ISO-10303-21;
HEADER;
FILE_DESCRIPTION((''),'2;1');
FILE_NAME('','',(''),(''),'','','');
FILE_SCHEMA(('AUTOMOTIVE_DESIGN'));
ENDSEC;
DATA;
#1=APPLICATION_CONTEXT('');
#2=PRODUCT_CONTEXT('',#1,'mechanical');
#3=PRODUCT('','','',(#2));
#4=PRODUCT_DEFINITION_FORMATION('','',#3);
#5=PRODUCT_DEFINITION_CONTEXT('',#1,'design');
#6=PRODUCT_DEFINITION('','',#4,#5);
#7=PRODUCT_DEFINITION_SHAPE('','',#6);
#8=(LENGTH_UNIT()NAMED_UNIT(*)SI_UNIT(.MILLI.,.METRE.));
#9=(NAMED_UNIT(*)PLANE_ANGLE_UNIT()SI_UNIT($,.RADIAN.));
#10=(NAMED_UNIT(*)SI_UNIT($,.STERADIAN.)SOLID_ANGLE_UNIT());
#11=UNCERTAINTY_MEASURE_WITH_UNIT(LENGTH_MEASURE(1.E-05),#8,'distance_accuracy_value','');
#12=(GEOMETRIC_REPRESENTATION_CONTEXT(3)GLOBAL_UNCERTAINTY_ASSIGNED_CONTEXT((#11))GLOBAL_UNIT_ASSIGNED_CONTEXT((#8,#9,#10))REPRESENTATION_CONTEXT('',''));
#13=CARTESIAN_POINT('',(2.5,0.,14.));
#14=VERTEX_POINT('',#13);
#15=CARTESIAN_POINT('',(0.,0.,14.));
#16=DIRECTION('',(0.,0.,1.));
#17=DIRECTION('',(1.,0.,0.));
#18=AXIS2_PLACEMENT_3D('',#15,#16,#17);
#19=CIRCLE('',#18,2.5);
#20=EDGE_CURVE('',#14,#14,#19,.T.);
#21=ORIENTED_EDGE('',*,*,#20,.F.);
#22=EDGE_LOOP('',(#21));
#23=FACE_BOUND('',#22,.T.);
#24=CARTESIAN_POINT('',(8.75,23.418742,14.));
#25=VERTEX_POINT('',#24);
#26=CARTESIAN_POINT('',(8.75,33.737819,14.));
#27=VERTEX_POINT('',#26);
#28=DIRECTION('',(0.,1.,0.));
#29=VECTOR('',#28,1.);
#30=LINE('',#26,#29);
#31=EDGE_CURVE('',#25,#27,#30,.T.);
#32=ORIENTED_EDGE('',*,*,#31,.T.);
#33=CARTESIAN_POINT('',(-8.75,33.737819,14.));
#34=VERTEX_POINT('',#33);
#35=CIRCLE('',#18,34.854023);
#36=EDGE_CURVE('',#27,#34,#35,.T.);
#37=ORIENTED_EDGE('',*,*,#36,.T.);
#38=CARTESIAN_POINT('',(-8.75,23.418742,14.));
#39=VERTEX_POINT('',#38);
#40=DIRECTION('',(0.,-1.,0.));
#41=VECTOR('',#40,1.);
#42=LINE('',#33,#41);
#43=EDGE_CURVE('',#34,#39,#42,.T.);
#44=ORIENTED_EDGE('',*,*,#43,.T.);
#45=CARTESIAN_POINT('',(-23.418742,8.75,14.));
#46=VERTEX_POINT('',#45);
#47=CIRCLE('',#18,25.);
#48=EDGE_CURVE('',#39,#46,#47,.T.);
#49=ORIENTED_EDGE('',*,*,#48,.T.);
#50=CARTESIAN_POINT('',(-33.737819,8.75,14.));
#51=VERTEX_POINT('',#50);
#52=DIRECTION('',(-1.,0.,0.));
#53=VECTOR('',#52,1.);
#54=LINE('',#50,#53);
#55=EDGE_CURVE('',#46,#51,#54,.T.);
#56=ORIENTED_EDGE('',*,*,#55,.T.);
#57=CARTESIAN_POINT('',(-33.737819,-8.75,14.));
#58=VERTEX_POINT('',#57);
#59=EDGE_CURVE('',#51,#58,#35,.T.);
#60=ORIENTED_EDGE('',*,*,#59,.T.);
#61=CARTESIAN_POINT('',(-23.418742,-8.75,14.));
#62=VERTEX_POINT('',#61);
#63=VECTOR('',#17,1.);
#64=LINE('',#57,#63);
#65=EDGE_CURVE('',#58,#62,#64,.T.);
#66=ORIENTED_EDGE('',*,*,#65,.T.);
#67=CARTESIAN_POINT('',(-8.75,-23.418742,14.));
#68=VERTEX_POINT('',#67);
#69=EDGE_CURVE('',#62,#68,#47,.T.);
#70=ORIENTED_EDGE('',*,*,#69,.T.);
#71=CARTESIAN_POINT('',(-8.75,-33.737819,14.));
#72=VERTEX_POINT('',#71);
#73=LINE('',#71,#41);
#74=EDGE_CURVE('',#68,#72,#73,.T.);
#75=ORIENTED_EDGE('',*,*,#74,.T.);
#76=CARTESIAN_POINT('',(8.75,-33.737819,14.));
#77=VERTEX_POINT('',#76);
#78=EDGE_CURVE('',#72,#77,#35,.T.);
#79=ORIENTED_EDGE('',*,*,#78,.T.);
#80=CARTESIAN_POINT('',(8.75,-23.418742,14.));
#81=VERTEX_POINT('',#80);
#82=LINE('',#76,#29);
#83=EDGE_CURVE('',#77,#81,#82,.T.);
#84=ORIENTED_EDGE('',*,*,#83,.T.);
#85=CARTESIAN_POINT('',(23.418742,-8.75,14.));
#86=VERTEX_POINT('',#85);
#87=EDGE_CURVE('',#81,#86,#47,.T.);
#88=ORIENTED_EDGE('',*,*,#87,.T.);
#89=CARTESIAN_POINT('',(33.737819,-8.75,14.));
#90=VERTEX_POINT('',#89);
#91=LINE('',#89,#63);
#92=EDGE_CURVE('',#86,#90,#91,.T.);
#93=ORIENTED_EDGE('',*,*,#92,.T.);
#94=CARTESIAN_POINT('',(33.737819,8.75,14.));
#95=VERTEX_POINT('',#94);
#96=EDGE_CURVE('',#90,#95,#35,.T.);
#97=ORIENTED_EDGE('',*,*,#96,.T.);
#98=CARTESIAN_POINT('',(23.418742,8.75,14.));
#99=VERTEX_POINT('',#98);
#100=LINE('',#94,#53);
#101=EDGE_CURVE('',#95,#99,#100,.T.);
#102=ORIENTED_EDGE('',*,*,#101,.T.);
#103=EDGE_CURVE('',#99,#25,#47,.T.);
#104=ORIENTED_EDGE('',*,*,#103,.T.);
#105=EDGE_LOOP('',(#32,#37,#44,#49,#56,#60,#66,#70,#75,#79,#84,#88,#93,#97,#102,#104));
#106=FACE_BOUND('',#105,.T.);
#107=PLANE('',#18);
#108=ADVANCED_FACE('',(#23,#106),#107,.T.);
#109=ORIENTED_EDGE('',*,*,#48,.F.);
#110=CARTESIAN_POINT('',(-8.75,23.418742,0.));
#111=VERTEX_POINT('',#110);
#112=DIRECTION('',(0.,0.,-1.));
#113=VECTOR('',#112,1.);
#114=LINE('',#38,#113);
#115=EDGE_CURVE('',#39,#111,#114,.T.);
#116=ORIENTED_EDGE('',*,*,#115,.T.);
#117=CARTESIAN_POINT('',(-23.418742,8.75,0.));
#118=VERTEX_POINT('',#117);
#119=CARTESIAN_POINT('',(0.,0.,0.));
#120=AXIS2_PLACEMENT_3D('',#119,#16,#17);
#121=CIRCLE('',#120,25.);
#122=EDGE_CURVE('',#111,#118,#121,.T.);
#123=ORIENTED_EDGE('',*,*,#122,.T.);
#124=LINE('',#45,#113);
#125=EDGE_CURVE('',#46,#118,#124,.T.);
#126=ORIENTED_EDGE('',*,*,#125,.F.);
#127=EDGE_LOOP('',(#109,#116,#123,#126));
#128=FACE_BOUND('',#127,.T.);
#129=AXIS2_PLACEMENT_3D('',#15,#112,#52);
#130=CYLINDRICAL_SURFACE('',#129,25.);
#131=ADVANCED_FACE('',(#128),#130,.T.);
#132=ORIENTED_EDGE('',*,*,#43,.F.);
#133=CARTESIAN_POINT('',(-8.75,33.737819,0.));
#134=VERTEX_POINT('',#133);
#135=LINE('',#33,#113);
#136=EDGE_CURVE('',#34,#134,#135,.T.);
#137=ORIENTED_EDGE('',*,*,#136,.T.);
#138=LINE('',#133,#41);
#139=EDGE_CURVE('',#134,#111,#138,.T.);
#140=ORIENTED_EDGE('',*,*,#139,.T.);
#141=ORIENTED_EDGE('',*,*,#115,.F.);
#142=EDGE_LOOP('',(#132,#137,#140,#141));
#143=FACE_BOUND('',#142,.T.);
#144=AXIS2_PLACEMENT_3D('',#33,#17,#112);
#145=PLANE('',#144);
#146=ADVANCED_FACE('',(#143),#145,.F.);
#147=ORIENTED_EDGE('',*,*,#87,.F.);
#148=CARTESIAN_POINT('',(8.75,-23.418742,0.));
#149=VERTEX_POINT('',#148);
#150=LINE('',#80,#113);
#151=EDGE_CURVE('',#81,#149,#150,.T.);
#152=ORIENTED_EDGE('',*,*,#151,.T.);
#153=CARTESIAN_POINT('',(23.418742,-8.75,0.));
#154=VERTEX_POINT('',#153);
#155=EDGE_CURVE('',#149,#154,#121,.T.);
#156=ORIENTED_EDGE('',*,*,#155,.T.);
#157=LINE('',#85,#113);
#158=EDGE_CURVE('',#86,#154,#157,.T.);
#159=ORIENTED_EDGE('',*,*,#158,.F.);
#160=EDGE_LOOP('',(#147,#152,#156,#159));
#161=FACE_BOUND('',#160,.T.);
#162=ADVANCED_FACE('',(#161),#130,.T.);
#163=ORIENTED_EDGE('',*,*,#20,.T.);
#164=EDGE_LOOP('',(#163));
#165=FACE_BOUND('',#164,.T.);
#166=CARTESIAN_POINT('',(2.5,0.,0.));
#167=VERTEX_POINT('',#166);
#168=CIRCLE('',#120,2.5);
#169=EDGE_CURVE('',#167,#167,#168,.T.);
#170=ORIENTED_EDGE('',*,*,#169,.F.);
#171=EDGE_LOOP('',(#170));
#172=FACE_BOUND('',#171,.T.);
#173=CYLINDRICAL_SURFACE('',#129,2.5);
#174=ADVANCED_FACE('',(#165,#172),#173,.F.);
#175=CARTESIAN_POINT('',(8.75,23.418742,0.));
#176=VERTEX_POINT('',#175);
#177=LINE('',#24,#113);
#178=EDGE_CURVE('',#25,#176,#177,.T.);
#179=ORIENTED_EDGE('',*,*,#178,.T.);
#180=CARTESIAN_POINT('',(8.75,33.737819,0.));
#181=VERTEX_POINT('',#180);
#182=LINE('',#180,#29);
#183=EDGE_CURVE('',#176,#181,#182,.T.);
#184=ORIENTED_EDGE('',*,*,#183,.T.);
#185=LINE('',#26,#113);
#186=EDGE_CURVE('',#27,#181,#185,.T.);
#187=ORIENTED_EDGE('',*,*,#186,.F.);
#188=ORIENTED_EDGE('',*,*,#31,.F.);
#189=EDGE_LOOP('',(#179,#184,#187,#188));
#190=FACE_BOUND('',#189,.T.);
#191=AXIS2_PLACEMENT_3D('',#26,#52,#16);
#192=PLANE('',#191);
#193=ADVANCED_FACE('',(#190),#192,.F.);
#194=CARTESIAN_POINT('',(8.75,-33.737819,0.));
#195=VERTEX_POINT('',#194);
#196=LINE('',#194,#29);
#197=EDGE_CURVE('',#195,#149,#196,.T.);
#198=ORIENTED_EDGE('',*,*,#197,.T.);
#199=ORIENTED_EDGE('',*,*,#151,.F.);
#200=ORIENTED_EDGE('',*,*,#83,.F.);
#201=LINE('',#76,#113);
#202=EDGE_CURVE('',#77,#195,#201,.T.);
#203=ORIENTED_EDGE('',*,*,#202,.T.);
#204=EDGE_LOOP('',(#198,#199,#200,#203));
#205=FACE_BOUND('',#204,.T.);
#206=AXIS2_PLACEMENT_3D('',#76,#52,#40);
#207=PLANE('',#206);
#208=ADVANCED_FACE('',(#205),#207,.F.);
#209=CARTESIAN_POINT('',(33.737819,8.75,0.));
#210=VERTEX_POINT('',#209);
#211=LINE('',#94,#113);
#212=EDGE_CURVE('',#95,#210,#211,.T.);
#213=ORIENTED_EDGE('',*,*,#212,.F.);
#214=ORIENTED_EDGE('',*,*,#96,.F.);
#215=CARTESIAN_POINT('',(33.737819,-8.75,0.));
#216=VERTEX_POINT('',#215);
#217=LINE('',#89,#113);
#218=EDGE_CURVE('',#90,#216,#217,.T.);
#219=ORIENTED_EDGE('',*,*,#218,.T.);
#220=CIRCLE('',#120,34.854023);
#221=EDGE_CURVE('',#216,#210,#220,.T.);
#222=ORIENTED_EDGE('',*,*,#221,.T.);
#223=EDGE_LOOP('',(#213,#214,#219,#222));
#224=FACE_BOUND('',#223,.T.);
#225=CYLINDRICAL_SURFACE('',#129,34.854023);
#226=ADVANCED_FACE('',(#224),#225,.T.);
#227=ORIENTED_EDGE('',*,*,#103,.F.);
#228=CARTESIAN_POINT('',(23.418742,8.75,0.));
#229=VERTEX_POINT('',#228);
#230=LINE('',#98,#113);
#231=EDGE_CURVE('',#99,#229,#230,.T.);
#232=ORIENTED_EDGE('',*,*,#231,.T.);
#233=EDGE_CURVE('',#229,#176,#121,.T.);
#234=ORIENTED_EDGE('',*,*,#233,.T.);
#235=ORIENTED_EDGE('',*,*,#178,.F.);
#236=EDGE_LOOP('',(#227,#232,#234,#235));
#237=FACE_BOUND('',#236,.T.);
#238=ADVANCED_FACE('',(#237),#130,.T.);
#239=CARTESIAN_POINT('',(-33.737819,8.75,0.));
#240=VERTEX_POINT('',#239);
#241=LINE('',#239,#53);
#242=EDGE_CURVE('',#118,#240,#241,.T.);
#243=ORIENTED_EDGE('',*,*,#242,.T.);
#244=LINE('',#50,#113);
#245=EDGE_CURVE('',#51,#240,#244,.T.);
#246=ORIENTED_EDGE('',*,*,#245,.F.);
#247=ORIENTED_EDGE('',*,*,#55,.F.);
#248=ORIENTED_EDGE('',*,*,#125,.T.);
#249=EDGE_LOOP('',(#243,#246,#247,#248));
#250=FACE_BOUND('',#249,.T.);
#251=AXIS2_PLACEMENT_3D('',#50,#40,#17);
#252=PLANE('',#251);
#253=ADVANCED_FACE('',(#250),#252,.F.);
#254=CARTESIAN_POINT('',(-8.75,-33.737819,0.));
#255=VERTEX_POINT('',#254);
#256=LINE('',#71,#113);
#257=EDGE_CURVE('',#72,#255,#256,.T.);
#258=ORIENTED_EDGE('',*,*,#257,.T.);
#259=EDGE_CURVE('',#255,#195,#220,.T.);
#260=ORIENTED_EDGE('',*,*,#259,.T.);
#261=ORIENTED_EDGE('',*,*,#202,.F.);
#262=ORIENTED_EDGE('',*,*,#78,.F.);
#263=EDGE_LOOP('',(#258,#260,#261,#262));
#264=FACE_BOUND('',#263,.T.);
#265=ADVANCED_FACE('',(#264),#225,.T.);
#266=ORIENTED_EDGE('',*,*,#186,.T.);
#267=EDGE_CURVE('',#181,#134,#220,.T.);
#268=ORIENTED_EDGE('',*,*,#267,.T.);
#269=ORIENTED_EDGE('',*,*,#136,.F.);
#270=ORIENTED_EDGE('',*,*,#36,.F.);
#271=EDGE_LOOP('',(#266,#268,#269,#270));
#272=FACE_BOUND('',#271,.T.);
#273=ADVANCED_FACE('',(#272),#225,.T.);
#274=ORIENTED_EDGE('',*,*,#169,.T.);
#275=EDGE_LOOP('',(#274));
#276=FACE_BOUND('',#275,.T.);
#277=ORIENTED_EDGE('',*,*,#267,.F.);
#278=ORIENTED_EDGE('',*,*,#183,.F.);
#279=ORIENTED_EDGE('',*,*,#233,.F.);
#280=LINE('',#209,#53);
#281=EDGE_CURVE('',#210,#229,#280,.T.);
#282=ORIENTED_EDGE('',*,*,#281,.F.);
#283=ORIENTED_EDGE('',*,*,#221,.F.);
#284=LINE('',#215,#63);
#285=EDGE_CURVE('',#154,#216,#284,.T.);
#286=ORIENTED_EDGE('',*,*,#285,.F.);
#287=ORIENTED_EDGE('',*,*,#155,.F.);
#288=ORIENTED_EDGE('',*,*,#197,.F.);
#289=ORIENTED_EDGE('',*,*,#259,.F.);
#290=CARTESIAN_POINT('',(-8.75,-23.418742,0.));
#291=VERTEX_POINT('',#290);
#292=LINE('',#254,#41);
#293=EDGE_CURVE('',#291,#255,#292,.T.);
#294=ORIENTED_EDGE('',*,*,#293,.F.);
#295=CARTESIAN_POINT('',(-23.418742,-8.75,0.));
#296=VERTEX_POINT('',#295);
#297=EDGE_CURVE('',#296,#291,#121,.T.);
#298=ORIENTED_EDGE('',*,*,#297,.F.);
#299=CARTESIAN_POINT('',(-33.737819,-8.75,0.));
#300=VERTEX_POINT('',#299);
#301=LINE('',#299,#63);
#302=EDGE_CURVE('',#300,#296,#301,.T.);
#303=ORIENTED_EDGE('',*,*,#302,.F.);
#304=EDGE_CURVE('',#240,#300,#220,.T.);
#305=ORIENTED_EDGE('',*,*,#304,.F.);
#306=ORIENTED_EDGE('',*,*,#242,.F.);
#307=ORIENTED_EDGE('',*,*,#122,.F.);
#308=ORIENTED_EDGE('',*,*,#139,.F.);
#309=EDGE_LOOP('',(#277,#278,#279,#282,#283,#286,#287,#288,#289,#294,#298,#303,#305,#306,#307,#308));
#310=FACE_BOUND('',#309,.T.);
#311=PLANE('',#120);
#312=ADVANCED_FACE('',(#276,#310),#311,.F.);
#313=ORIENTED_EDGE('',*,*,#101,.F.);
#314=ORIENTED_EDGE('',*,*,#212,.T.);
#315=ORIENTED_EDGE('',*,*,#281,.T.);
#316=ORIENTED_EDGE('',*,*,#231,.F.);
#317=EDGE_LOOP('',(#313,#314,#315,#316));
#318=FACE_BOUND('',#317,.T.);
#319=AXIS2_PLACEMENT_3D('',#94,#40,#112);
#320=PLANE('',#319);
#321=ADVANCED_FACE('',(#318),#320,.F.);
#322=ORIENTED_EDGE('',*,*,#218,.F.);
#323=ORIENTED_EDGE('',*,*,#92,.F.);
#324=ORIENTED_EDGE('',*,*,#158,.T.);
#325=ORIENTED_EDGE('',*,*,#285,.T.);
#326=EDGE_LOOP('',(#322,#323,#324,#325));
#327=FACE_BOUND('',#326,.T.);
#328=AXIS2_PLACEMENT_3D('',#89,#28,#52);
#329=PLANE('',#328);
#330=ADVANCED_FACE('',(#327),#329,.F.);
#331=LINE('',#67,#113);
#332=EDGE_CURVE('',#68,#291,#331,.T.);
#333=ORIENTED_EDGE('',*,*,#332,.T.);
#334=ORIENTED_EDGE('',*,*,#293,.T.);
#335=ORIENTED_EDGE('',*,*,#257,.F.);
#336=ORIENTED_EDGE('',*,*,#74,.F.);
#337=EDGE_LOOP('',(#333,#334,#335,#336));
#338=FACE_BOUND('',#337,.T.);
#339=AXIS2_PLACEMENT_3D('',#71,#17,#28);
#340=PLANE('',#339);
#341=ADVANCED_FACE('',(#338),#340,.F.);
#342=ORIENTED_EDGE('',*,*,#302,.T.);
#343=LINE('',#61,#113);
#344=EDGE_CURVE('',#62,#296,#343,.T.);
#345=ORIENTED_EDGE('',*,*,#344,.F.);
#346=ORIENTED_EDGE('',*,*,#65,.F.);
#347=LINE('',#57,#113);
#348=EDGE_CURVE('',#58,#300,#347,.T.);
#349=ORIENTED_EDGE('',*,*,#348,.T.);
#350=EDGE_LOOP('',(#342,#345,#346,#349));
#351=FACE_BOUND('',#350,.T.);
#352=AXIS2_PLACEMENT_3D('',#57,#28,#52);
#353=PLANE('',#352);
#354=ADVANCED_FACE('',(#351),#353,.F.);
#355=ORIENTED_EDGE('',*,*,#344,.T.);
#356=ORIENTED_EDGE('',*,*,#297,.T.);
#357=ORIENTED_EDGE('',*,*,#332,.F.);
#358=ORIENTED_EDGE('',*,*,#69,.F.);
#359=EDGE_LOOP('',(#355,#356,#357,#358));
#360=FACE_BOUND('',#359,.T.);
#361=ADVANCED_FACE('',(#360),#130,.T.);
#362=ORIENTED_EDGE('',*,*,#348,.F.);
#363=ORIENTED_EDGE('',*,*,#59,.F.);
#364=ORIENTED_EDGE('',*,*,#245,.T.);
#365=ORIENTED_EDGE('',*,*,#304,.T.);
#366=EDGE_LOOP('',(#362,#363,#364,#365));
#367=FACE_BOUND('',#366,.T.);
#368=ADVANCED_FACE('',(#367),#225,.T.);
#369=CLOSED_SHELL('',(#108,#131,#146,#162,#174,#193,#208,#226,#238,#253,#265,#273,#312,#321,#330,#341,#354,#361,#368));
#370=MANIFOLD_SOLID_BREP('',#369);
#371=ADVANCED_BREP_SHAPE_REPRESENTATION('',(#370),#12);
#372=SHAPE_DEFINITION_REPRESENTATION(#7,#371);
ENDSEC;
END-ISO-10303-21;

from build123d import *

# Parameters (mm, degrees)
ROTOR_SKETCH_R = 2.5
ROTOR_DEPTH    = 14


with BuildPart() as part:
    # Rotor_Sketch → Rotor (new body)
    with BuildSketch(Plane.XY):
        with BuildLine():
            Line((-8.75, 33.737818734), (-8.75, 23.418742494))
            ThreePointArc((-8.75, 23.418742494), (-17.67766953, 17.67766953), (-23.418742494, 8.75))
            Line((-23.418742494, 8.75), (-33.737818734, 8.75))
            ThreePointArc((-33.737818734, 8.75), (-34.854022909, 0), (-33.737818734, -8.75))
            Line((-33.737818734, -8.75), (-23.418742494, -8.75))
            ThreePointArc((-23.418742494, -8.75), (-17.67766953, -17.67766953), (-8.75, -23.418742494))
            Line((-8.75, -23.418742494), (-8.75, -33.737818734))
            ThreePointArc((-8.75, -33.737818734), (0, -34.854022909), (8.75, -33.737818734))
            Line((8.75, -33.737818734), (8.75, -23.418742494))
            ThreePointArc((8.75, -23.418742494), (17.67766953, -17.67766953), (23.418742494, -8.75))
            Line((23.418742494, -8.75), (33.737818734, -8.75))
            ThreePointArc((33.737818734, -8.75), (34.854022909, 0), (33.737818734, 8.75))
            Line((33.737818734, 8.75), (23.418742494, 8.75))
            ThreePointArc((23.418742494, 8.75), (17.67766953, 17.67766953), (8.75, 23.418742494))
            Line((8.75, 23.418742494), (8.75, 33.737818734))
            ThreePointArc((8.75, 33.737818734), (0, 34.854022909), (-8.75, 33.737818734))
        make_face()
        Circle(ROTOR_SKETCH_R, mode=Mode.SUBTRACT)
    extrude(amount=ROTOR_DEPTH)


solid = part.part
